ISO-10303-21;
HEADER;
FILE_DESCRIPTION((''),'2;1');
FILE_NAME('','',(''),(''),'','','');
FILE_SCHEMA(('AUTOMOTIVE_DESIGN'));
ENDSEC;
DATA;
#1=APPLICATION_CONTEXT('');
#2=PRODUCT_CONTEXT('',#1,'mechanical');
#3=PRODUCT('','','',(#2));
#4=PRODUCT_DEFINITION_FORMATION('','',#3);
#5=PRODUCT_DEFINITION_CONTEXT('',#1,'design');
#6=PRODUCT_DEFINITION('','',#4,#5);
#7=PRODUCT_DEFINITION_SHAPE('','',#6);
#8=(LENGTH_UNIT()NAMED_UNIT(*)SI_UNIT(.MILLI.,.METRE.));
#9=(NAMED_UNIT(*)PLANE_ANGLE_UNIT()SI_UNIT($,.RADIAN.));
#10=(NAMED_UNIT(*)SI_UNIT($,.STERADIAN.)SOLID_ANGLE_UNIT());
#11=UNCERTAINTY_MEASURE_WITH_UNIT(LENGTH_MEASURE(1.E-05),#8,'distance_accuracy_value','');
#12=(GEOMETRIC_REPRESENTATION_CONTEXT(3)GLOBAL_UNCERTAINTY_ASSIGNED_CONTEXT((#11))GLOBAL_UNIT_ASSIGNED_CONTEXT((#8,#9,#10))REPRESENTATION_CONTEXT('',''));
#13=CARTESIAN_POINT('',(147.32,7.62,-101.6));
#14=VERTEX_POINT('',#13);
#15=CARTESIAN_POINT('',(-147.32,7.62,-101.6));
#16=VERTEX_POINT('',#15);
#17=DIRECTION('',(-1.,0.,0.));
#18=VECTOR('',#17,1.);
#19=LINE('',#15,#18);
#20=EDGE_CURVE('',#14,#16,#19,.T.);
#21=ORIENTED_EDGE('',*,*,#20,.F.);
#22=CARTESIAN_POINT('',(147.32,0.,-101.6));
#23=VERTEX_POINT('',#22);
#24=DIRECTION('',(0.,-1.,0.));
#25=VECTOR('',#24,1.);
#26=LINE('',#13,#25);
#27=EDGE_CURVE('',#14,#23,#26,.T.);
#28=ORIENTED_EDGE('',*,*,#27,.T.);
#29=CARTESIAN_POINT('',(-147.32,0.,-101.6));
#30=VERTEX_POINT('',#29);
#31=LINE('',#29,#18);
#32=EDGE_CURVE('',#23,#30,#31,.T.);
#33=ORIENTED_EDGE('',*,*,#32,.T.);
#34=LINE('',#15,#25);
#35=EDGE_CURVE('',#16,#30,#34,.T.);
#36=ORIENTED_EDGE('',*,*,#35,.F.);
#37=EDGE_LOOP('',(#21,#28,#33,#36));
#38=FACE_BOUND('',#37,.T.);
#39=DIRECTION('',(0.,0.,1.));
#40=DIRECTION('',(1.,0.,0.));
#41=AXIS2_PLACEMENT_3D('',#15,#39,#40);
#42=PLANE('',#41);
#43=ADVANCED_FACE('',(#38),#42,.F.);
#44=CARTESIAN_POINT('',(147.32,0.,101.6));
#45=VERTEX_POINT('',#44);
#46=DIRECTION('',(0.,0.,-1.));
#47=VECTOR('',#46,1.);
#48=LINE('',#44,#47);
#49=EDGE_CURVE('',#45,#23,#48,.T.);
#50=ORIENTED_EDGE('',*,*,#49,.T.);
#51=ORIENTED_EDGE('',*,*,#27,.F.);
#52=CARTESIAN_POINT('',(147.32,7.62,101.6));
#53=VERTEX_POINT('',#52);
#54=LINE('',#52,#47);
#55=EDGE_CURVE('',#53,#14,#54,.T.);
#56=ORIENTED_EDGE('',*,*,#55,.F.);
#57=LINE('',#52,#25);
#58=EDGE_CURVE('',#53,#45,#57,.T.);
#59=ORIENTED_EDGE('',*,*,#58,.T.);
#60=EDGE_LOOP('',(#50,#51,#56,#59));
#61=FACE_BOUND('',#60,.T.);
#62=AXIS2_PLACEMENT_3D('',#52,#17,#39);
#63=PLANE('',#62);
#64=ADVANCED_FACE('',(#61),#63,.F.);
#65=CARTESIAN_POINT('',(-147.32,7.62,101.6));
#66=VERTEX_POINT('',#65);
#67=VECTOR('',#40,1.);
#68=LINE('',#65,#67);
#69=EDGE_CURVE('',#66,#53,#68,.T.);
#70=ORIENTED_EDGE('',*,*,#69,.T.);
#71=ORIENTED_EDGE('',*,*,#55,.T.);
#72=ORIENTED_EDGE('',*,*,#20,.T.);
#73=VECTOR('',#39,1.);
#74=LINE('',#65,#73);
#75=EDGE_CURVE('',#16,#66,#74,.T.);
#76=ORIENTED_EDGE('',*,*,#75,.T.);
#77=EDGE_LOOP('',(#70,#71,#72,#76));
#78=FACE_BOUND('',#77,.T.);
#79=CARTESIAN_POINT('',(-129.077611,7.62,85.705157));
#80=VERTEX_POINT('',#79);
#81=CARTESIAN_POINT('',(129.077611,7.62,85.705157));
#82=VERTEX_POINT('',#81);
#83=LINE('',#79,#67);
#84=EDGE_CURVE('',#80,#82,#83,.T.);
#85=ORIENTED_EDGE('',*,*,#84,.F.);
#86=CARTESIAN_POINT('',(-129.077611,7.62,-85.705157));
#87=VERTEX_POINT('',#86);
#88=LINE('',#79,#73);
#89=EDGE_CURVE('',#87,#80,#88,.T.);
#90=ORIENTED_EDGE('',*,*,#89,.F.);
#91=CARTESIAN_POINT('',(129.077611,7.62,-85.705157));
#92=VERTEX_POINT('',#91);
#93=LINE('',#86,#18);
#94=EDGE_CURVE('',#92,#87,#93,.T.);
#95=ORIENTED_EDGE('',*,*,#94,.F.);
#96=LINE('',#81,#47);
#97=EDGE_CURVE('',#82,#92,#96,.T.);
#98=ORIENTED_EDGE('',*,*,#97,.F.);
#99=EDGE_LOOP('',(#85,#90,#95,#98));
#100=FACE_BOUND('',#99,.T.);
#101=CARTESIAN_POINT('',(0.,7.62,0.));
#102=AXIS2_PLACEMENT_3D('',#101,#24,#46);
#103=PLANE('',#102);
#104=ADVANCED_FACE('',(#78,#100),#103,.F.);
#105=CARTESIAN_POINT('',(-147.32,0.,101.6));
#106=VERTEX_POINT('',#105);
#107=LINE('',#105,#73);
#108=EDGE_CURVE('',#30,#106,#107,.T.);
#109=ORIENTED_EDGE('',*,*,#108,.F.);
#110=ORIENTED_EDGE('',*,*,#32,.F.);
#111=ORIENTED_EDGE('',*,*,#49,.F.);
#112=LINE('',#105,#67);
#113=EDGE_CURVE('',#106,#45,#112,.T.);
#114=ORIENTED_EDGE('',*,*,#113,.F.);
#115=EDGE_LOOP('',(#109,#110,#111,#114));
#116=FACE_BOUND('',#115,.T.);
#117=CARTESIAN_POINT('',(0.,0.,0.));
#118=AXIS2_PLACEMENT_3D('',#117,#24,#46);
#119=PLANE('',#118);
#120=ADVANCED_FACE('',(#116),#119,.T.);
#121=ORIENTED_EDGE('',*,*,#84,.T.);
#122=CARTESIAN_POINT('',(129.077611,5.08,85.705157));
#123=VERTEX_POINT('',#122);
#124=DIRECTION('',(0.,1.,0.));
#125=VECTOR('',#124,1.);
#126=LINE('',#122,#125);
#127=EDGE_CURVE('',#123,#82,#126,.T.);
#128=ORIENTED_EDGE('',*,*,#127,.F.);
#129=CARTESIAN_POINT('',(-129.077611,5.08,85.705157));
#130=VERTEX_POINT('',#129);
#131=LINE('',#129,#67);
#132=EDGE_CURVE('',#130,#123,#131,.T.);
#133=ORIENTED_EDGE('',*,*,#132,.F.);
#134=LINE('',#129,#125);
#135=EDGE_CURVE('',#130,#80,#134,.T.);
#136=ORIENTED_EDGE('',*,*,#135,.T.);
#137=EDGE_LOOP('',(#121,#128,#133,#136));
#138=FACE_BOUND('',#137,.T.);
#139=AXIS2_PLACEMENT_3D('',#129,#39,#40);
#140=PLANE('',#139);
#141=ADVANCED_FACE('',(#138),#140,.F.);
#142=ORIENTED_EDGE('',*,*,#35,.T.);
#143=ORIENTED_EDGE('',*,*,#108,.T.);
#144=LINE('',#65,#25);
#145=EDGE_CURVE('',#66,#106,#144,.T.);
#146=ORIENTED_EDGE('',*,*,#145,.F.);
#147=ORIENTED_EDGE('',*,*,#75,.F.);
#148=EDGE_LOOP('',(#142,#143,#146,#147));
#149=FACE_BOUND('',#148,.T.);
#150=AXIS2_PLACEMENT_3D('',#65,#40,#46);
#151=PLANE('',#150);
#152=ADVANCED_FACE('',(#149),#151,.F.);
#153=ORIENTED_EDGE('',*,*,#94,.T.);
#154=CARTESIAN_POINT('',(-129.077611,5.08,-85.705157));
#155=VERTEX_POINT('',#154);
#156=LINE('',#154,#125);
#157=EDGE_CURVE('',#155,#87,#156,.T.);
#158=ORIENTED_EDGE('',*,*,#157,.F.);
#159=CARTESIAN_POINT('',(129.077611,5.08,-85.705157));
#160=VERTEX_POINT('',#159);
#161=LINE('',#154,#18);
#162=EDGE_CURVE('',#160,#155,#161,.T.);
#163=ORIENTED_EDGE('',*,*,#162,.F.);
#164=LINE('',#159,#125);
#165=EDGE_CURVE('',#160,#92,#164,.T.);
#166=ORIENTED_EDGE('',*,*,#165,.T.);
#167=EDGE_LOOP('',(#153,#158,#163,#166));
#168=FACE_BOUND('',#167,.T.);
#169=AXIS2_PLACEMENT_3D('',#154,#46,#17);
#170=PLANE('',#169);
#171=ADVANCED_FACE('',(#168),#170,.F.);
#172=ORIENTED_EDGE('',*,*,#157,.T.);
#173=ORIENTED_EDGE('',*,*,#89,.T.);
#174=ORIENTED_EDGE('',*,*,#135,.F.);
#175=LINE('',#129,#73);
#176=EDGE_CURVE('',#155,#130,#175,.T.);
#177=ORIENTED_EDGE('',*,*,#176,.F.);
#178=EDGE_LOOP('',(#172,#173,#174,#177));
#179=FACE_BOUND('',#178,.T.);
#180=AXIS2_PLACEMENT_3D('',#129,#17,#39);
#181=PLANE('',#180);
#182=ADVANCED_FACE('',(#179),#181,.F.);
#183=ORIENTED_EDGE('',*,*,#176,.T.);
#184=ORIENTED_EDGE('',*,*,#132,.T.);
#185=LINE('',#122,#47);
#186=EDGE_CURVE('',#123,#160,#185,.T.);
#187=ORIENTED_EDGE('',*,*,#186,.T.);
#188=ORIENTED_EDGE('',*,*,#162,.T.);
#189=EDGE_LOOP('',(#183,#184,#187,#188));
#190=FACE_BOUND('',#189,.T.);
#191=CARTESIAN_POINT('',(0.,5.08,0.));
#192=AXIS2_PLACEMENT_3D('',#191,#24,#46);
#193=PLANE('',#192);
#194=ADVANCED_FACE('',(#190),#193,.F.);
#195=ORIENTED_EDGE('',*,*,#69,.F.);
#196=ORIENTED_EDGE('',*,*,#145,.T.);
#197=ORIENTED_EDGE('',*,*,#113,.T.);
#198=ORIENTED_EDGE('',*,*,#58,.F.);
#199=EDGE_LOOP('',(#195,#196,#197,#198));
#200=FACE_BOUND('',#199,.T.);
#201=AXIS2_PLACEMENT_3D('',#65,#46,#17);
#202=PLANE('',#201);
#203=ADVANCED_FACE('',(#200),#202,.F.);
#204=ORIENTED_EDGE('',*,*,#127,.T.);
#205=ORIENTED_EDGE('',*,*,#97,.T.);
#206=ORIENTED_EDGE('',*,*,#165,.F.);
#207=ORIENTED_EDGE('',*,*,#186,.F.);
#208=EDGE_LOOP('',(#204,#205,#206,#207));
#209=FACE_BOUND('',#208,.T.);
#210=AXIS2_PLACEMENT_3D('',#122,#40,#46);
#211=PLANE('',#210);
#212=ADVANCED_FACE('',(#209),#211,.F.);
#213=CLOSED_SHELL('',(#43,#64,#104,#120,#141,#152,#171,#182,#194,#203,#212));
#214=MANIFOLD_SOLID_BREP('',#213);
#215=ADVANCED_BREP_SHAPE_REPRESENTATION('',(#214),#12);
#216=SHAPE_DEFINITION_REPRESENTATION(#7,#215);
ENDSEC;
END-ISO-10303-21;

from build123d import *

# Parameters (mm, degrees)
SKETCH1_W           = 294.64
SKETCH1_H           = 203.2
BOSS_EXTRUDE1_DEPTH = 7.62
SKETCH2_W           = 258.15522189
SKETCH2_H           = 171.41031419
CUT_EXTRUDE1_DEPTH  = 2.54


with BuildPart() as part:
    # Sketch1 → Boss-Extrude1 (new body)
    with BuildSketch(Plane(origin=(0, 0, 0), x_dir=(1, 0, 0), z_dir=(0, 1, 0))):
        Rectangle(SKETCH1_W, SKETCH1_H)
    extrude(amount=BOSS_EXTRUDE1_DEPTH)

    # Sketch2 → Cut-Extrude1 (cut)
    with BuildSketch(Plane(origin=(0, 7.62, 0), x_dir=(1, 0, 0), z_dir=(0, 1, 0))):
        Rectangle(SKETCH2_W, SKETCH2_H)
    extrude(amount=-CUT_EXTRUDE1_DEPTH, mode=Mode.SUBTRACT)


solid = part.part
